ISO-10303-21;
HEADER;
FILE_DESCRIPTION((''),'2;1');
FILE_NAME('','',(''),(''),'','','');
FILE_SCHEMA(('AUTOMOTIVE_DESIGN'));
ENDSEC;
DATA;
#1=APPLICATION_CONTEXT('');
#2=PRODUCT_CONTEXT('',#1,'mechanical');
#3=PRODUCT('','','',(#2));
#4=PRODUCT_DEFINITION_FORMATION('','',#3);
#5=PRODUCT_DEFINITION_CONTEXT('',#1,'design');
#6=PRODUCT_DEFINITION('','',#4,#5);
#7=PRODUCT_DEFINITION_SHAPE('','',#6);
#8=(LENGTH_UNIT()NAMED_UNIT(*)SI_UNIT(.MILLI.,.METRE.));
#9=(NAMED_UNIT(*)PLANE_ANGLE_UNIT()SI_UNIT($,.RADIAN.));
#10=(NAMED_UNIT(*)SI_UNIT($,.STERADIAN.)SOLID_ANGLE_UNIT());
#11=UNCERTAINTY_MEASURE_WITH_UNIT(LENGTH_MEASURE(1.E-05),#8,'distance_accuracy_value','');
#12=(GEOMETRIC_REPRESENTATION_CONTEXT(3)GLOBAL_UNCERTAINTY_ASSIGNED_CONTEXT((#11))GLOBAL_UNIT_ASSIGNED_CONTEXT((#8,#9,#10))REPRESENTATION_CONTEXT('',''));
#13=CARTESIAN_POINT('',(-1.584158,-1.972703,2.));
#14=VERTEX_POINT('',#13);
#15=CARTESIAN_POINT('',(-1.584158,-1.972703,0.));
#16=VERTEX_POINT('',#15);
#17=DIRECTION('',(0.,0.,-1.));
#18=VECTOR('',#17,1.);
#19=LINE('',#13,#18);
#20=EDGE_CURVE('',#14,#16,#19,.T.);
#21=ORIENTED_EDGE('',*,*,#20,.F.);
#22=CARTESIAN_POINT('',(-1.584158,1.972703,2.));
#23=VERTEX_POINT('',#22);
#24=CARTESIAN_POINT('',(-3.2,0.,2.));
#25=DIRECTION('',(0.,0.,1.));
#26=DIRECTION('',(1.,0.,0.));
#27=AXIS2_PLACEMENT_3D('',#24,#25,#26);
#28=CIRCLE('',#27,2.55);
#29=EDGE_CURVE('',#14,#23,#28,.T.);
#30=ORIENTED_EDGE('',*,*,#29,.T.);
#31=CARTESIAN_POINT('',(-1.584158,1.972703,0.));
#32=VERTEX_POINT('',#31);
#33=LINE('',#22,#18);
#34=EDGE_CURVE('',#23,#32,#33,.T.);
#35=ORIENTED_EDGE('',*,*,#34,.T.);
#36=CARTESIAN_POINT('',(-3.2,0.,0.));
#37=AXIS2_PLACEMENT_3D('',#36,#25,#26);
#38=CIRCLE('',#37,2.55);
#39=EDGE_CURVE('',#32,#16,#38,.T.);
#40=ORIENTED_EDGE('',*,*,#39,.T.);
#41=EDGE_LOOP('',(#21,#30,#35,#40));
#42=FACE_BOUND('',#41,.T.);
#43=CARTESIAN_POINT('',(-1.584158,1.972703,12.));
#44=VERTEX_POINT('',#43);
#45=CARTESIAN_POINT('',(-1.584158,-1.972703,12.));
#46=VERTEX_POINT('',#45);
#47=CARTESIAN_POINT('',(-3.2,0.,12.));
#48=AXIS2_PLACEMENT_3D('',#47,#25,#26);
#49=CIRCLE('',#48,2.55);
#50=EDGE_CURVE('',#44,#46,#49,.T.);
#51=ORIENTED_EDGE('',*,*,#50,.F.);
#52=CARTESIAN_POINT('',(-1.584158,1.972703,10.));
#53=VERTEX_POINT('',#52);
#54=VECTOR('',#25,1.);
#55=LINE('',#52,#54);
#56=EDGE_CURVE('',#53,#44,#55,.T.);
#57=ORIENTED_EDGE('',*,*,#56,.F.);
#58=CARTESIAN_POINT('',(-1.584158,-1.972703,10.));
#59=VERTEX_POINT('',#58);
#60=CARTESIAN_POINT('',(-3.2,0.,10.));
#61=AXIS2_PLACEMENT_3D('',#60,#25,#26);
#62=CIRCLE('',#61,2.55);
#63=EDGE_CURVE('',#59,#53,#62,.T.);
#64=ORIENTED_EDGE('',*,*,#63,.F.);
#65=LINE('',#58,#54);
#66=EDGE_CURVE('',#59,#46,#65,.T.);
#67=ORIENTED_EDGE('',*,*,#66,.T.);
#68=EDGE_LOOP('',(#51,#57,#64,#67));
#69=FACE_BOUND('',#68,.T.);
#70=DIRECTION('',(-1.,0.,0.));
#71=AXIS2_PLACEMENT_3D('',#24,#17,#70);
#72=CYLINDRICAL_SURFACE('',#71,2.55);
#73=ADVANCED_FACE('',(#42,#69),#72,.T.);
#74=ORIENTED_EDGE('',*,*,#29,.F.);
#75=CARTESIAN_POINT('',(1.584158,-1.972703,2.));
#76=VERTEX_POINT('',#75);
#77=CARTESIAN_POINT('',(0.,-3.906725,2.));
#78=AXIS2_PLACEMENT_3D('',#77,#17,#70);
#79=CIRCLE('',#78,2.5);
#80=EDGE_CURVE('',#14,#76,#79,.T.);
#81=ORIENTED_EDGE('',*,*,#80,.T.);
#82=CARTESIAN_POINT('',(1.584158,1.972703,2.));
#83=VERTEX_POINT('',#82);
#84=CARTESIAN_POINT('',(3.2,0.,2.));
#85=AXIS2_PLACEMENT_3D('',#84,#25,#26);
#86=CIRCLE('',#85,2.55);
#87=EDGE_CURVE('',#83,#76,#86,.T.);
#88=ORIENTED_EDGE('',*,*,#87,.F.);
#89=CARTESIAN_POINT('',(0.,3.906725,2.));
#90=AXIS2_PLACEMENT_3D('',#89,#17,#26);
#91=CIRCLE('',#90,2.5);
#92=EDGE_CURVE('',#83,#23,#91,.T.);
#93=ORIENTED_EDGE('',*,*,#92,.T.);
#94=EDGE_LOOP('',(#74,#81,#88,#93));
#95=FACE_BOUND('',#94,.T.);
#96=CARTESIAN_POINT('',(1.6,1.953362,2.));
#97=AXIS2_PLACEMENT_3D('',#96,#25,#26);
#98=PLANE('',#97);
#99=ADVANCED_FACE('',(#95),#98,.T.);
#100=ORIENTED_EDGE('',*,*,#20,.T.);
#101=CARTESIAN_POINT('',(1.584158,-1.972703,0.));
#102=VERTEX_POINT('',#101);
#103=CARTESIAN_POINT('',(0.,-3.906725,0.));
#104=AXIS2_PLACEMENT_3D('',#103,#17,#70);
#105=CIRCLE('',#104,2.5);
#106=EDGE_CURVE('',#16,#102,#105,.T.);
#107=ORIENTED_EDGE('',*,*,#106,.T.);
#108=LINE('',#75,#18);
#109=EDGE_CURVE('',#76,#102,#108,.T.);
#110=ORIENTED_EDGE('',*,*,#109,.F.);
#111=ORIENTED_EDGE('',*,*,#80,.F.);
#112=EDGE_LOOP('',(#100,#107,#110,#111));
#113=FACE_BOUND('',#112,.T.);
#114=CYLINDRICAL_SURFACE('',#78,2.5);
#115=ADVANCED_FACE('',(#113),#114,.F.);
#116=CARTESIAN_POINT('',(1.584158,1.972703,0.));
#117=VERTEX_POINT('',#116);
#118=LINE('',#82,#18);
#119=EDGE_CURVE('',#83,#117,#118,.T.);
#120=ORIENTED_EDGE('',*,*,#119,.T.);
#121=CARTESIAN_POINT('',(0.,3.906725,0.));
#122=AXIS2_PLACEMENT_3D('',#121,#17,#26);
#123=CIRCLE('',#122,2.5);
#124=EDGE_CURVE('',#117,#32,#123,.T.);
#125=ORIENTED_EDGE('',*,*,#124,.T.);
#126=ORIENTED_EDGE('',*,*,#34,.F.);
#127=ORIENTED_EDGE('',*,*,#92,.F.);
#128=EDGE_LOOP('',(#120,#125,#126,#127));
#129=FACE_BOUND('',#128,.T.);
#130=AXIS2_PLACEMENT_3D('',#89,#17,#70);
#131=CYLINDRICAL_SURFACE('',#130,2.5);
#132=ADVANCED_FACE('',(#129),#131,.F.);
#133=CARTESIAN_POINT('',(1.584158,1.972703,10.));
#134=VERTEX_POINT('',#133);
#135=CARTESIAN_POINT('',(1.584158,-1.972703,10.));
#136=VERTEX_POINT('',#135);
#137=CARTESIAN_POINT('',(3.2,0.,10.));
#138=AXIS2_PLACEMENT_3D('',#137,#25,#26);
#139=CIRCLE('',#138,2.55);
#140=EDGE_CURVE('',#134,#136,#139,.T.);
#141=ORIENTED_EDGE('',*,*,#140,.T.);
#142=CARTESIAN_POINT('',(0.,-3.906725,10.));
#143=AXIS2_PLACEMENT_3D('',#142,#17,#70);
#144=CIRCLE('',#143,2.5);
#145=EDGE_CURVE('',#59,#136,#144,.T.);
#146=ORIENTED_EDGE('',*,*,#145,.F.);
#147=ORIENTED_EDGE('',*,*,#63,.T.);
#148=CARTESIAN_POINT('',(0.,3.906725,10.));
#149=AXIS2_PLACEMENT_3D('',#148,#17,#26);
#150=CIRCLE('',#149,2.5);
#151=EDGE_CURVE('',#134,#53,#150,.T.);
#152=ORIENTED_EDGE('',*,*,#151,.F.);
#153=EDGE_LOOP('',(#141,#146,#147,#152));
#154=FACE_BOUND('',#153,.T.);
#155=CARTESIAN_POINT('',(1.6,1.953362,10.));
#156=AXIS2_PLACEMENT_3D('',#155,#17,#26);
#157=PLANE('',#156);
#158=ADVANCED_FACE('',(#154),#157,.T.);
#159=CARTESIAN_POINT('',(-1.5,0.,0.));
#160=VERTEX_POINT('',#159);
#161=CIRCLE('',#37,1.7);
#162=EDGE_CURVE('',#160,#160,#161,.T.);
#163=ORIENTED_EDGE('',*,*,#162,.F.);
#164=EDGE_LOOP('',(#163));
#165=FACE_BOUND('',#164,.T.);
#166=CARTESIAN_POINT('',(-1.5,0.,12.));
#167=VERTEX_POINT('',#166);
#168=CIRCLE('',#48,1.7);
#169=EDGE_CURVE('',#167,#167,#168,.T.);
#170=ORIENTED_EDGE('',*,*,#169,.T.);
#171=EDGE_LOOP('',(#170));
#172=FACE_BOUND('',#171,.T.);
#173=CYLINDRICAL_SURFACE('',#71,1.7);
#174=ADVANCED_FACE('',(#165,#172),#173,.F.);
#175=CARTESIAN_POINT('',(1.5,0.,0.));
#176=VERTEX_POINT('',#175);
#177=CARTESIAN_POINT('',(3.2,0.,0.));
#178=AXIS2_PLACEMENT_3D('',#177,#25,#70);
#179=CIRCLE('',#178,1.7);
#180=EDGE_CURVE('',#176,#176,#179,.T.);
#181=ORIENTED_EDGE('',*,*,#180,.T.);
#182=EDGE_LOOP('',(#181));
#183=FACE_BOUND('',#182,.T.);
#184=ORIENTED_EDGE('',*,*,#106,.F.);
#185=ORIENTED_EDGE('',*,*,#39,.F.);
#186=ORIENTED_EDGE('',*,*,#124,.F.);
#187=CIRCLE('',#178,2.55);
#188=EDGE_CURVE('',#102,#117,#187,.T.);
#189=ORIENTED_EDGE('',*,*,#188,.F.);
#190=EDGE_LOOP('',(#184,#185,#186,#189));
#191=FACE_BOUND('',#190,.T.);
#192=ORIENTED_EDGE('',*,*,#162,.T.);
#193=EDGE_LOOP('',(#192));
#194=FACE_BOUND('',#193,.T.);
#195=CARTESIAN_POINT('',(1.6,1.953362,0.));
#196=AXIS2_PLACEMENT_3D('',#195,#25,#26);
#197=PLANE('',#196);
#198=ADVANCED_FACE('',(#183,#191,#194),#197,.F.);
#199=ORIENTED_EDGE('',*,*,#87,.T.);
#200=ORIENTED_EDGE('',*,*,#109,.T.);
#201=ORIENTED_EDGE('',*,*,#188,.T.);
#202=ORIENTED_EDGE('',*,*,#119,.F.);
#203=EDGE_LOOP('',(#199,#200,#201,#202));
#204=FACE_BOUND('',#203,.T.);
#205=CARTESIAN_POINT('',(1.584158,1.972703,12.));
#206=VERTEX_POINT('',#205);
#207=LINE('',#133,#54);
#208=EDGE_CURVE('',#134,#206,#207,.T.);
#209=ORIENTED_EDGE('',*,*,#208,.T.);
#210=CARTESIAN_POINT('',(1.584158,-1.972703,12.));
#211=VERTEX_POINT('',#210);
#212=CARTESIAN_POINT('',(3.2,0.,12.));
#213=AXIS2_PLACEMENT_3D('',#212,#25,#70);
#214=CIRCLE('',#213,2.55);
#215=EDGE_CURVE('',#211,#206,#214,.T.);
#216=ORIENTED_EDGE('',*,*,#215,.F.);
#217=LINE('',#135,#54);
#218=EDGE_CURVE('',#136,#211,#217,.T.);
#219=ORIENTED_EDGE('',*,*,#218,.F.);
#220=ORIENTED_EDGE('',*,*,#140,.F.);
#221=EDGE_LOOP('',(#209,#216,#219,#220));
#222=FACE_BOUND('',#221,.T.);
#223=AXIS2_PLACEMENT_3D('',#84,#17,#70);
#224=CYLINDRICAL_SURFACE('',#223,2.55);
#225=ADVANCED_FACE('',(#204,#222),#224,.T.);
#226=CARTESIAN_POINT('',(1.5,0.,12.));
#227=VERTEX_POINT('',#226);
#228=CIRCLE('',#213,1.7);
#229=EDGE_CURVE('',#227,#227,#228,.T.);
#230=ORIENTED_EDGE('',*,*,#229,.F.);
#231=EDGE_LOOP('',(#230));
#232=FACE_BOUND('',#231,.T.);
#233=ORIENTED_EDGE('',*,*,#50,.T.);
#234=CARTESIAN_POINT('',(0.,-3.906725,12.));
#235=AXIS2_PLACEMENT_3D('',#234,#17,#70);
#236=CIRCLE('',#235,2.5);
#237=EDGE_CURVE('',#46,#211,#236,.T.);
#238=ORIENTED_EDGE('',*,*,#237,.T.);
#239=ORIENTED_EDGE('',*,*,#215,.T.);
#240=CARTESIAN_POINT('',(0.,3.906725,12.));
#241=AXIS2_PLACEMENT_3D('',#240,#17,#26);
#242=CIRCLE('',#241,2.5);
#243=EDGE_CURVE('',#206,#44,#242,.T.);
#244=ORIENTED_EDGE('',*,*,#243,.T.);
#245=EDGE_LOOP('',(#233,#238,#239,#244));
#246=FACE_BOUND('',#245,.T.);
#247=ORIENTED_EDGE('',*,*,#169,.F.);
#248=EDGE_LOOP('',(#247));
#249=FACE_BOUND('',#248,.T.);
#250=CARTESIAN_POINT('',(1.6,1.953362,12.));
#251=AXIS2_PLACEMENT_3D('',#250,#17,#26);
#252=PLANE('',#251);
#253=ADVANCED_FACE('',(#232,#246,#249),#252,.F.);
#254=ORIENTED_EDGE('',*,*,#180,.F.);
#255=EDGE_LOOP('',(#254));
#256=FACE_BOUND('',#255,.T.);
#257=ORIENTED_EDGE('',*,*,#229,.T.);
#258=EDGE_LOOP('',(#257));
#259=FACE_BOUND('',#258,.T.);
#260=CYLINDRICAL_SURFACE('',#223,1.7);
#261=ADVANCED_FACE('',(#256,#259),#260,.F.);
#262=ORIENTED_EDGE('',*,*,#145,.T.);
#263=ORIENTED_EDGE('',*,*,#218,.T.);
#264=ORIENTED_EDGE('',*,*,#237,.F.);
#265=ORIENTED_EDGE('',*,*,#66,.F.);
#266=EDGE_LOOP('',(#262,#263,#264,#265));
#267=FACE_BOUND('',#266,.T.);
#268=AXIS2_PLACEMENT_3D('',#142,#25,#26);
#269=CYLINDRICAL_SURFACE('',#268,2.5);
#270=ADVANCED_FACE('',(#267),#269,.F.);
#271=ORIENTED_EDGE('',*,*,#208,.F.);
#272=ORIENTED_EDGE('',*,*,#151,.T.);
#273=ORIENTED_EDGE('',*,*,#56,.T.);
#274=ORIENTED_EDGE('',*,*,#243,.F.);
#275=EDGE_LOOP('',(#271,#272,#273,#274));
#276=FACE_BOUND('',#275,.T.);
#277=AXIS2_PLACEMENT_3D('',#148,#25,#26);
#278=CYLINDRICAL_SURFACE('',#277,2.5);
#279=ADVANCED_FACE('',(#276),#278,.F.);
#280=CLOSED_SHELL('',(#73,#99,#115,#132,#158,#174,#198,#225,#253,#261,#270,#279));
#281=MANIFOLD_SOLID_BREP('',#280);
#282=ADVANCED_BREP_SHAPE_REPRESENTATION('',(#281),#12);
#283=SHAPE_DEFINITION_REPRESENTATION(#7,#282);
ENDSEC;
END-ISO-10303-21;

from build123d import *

# Parameters (mm, degrees)
CROQUIS1_R              = 1.7
SALIENTE_EXTRUIR1_DEPTH = 2
CROQUIS2_R              = 2.55
CROQUIS2_R_2            = 1.7
SALIENTE_EXTRUIR2_DEPTH = 8


with BuildPart() as part:
    # Croquis1 → Saliente-Extruir1 (new body)
    with BuildSketch(Plane.XY):
        with BuildLine():
            ThreePointArc((-1.584158416, 1.972702708), (-5.75, 0), (-1.584158416, -1.972702708))
            ThreePointArc((-1.584158416, -1.972702708), (0, -1.406724971), (1.584158416, -1.972702708))
            ThreePointArc((1.584158416, -1.972702708), (5.75, 0), (1.584158416, 1.972702708))
            ThreePointArc((1.584158416, 1.972702708), (0, 1.406724971), (-1.584158416, 1.972702708))
        make_face()
        with Locations((-3.2, 0)):
            Circle(CROQUIS1_R, mode=Mode.SUBTRACT)
        with Locations(Location((3.2, 0, 0), (0, 0, 180))):
            Circle(CROQUIS1_R, mode=Mode.SUBTRACT)
    saliente_extruir1 = extrude(amount=SALIENTE_EXTRUIR1_DEPTH)

    # Croquis2 → Saliente-Extruir2 (add)
    # profile 1 of 2: a face of its own
    with BuildSketch(Plane.XY.offset(2)):
        with Locations(Location((-3.2, 0, 0), (0, 0, 309.320919198))):
            Circle(CROQUIS2_R)
        with Locations((-3.2, 0)):
            Circle(CROQUIS2_R_2, mode=Mode.SUBTRACT)
    # profile 2 of 2: a face of its own
    with BuildSketch(Plane.XY.offset(2)):
        with Locations(Location((3.2, 0, 0), (0, 0, 129.320919198))):
            Circle(CROQUIS2_R)
        with Locations(Location((3.2, 0, 0), (0, 0, 180))):
            Circle(CROQUIS2_R_2, mode=Mode.SUBTRACT)
    extrude(amount=SALIENTE_EXTRUIR2_DEPTH)

    # Simetría1: Saliente-Extruir1 across plane
    add(saliente_extruir1.mirror(Plane.XY.offset(6)))


solid = part.part
